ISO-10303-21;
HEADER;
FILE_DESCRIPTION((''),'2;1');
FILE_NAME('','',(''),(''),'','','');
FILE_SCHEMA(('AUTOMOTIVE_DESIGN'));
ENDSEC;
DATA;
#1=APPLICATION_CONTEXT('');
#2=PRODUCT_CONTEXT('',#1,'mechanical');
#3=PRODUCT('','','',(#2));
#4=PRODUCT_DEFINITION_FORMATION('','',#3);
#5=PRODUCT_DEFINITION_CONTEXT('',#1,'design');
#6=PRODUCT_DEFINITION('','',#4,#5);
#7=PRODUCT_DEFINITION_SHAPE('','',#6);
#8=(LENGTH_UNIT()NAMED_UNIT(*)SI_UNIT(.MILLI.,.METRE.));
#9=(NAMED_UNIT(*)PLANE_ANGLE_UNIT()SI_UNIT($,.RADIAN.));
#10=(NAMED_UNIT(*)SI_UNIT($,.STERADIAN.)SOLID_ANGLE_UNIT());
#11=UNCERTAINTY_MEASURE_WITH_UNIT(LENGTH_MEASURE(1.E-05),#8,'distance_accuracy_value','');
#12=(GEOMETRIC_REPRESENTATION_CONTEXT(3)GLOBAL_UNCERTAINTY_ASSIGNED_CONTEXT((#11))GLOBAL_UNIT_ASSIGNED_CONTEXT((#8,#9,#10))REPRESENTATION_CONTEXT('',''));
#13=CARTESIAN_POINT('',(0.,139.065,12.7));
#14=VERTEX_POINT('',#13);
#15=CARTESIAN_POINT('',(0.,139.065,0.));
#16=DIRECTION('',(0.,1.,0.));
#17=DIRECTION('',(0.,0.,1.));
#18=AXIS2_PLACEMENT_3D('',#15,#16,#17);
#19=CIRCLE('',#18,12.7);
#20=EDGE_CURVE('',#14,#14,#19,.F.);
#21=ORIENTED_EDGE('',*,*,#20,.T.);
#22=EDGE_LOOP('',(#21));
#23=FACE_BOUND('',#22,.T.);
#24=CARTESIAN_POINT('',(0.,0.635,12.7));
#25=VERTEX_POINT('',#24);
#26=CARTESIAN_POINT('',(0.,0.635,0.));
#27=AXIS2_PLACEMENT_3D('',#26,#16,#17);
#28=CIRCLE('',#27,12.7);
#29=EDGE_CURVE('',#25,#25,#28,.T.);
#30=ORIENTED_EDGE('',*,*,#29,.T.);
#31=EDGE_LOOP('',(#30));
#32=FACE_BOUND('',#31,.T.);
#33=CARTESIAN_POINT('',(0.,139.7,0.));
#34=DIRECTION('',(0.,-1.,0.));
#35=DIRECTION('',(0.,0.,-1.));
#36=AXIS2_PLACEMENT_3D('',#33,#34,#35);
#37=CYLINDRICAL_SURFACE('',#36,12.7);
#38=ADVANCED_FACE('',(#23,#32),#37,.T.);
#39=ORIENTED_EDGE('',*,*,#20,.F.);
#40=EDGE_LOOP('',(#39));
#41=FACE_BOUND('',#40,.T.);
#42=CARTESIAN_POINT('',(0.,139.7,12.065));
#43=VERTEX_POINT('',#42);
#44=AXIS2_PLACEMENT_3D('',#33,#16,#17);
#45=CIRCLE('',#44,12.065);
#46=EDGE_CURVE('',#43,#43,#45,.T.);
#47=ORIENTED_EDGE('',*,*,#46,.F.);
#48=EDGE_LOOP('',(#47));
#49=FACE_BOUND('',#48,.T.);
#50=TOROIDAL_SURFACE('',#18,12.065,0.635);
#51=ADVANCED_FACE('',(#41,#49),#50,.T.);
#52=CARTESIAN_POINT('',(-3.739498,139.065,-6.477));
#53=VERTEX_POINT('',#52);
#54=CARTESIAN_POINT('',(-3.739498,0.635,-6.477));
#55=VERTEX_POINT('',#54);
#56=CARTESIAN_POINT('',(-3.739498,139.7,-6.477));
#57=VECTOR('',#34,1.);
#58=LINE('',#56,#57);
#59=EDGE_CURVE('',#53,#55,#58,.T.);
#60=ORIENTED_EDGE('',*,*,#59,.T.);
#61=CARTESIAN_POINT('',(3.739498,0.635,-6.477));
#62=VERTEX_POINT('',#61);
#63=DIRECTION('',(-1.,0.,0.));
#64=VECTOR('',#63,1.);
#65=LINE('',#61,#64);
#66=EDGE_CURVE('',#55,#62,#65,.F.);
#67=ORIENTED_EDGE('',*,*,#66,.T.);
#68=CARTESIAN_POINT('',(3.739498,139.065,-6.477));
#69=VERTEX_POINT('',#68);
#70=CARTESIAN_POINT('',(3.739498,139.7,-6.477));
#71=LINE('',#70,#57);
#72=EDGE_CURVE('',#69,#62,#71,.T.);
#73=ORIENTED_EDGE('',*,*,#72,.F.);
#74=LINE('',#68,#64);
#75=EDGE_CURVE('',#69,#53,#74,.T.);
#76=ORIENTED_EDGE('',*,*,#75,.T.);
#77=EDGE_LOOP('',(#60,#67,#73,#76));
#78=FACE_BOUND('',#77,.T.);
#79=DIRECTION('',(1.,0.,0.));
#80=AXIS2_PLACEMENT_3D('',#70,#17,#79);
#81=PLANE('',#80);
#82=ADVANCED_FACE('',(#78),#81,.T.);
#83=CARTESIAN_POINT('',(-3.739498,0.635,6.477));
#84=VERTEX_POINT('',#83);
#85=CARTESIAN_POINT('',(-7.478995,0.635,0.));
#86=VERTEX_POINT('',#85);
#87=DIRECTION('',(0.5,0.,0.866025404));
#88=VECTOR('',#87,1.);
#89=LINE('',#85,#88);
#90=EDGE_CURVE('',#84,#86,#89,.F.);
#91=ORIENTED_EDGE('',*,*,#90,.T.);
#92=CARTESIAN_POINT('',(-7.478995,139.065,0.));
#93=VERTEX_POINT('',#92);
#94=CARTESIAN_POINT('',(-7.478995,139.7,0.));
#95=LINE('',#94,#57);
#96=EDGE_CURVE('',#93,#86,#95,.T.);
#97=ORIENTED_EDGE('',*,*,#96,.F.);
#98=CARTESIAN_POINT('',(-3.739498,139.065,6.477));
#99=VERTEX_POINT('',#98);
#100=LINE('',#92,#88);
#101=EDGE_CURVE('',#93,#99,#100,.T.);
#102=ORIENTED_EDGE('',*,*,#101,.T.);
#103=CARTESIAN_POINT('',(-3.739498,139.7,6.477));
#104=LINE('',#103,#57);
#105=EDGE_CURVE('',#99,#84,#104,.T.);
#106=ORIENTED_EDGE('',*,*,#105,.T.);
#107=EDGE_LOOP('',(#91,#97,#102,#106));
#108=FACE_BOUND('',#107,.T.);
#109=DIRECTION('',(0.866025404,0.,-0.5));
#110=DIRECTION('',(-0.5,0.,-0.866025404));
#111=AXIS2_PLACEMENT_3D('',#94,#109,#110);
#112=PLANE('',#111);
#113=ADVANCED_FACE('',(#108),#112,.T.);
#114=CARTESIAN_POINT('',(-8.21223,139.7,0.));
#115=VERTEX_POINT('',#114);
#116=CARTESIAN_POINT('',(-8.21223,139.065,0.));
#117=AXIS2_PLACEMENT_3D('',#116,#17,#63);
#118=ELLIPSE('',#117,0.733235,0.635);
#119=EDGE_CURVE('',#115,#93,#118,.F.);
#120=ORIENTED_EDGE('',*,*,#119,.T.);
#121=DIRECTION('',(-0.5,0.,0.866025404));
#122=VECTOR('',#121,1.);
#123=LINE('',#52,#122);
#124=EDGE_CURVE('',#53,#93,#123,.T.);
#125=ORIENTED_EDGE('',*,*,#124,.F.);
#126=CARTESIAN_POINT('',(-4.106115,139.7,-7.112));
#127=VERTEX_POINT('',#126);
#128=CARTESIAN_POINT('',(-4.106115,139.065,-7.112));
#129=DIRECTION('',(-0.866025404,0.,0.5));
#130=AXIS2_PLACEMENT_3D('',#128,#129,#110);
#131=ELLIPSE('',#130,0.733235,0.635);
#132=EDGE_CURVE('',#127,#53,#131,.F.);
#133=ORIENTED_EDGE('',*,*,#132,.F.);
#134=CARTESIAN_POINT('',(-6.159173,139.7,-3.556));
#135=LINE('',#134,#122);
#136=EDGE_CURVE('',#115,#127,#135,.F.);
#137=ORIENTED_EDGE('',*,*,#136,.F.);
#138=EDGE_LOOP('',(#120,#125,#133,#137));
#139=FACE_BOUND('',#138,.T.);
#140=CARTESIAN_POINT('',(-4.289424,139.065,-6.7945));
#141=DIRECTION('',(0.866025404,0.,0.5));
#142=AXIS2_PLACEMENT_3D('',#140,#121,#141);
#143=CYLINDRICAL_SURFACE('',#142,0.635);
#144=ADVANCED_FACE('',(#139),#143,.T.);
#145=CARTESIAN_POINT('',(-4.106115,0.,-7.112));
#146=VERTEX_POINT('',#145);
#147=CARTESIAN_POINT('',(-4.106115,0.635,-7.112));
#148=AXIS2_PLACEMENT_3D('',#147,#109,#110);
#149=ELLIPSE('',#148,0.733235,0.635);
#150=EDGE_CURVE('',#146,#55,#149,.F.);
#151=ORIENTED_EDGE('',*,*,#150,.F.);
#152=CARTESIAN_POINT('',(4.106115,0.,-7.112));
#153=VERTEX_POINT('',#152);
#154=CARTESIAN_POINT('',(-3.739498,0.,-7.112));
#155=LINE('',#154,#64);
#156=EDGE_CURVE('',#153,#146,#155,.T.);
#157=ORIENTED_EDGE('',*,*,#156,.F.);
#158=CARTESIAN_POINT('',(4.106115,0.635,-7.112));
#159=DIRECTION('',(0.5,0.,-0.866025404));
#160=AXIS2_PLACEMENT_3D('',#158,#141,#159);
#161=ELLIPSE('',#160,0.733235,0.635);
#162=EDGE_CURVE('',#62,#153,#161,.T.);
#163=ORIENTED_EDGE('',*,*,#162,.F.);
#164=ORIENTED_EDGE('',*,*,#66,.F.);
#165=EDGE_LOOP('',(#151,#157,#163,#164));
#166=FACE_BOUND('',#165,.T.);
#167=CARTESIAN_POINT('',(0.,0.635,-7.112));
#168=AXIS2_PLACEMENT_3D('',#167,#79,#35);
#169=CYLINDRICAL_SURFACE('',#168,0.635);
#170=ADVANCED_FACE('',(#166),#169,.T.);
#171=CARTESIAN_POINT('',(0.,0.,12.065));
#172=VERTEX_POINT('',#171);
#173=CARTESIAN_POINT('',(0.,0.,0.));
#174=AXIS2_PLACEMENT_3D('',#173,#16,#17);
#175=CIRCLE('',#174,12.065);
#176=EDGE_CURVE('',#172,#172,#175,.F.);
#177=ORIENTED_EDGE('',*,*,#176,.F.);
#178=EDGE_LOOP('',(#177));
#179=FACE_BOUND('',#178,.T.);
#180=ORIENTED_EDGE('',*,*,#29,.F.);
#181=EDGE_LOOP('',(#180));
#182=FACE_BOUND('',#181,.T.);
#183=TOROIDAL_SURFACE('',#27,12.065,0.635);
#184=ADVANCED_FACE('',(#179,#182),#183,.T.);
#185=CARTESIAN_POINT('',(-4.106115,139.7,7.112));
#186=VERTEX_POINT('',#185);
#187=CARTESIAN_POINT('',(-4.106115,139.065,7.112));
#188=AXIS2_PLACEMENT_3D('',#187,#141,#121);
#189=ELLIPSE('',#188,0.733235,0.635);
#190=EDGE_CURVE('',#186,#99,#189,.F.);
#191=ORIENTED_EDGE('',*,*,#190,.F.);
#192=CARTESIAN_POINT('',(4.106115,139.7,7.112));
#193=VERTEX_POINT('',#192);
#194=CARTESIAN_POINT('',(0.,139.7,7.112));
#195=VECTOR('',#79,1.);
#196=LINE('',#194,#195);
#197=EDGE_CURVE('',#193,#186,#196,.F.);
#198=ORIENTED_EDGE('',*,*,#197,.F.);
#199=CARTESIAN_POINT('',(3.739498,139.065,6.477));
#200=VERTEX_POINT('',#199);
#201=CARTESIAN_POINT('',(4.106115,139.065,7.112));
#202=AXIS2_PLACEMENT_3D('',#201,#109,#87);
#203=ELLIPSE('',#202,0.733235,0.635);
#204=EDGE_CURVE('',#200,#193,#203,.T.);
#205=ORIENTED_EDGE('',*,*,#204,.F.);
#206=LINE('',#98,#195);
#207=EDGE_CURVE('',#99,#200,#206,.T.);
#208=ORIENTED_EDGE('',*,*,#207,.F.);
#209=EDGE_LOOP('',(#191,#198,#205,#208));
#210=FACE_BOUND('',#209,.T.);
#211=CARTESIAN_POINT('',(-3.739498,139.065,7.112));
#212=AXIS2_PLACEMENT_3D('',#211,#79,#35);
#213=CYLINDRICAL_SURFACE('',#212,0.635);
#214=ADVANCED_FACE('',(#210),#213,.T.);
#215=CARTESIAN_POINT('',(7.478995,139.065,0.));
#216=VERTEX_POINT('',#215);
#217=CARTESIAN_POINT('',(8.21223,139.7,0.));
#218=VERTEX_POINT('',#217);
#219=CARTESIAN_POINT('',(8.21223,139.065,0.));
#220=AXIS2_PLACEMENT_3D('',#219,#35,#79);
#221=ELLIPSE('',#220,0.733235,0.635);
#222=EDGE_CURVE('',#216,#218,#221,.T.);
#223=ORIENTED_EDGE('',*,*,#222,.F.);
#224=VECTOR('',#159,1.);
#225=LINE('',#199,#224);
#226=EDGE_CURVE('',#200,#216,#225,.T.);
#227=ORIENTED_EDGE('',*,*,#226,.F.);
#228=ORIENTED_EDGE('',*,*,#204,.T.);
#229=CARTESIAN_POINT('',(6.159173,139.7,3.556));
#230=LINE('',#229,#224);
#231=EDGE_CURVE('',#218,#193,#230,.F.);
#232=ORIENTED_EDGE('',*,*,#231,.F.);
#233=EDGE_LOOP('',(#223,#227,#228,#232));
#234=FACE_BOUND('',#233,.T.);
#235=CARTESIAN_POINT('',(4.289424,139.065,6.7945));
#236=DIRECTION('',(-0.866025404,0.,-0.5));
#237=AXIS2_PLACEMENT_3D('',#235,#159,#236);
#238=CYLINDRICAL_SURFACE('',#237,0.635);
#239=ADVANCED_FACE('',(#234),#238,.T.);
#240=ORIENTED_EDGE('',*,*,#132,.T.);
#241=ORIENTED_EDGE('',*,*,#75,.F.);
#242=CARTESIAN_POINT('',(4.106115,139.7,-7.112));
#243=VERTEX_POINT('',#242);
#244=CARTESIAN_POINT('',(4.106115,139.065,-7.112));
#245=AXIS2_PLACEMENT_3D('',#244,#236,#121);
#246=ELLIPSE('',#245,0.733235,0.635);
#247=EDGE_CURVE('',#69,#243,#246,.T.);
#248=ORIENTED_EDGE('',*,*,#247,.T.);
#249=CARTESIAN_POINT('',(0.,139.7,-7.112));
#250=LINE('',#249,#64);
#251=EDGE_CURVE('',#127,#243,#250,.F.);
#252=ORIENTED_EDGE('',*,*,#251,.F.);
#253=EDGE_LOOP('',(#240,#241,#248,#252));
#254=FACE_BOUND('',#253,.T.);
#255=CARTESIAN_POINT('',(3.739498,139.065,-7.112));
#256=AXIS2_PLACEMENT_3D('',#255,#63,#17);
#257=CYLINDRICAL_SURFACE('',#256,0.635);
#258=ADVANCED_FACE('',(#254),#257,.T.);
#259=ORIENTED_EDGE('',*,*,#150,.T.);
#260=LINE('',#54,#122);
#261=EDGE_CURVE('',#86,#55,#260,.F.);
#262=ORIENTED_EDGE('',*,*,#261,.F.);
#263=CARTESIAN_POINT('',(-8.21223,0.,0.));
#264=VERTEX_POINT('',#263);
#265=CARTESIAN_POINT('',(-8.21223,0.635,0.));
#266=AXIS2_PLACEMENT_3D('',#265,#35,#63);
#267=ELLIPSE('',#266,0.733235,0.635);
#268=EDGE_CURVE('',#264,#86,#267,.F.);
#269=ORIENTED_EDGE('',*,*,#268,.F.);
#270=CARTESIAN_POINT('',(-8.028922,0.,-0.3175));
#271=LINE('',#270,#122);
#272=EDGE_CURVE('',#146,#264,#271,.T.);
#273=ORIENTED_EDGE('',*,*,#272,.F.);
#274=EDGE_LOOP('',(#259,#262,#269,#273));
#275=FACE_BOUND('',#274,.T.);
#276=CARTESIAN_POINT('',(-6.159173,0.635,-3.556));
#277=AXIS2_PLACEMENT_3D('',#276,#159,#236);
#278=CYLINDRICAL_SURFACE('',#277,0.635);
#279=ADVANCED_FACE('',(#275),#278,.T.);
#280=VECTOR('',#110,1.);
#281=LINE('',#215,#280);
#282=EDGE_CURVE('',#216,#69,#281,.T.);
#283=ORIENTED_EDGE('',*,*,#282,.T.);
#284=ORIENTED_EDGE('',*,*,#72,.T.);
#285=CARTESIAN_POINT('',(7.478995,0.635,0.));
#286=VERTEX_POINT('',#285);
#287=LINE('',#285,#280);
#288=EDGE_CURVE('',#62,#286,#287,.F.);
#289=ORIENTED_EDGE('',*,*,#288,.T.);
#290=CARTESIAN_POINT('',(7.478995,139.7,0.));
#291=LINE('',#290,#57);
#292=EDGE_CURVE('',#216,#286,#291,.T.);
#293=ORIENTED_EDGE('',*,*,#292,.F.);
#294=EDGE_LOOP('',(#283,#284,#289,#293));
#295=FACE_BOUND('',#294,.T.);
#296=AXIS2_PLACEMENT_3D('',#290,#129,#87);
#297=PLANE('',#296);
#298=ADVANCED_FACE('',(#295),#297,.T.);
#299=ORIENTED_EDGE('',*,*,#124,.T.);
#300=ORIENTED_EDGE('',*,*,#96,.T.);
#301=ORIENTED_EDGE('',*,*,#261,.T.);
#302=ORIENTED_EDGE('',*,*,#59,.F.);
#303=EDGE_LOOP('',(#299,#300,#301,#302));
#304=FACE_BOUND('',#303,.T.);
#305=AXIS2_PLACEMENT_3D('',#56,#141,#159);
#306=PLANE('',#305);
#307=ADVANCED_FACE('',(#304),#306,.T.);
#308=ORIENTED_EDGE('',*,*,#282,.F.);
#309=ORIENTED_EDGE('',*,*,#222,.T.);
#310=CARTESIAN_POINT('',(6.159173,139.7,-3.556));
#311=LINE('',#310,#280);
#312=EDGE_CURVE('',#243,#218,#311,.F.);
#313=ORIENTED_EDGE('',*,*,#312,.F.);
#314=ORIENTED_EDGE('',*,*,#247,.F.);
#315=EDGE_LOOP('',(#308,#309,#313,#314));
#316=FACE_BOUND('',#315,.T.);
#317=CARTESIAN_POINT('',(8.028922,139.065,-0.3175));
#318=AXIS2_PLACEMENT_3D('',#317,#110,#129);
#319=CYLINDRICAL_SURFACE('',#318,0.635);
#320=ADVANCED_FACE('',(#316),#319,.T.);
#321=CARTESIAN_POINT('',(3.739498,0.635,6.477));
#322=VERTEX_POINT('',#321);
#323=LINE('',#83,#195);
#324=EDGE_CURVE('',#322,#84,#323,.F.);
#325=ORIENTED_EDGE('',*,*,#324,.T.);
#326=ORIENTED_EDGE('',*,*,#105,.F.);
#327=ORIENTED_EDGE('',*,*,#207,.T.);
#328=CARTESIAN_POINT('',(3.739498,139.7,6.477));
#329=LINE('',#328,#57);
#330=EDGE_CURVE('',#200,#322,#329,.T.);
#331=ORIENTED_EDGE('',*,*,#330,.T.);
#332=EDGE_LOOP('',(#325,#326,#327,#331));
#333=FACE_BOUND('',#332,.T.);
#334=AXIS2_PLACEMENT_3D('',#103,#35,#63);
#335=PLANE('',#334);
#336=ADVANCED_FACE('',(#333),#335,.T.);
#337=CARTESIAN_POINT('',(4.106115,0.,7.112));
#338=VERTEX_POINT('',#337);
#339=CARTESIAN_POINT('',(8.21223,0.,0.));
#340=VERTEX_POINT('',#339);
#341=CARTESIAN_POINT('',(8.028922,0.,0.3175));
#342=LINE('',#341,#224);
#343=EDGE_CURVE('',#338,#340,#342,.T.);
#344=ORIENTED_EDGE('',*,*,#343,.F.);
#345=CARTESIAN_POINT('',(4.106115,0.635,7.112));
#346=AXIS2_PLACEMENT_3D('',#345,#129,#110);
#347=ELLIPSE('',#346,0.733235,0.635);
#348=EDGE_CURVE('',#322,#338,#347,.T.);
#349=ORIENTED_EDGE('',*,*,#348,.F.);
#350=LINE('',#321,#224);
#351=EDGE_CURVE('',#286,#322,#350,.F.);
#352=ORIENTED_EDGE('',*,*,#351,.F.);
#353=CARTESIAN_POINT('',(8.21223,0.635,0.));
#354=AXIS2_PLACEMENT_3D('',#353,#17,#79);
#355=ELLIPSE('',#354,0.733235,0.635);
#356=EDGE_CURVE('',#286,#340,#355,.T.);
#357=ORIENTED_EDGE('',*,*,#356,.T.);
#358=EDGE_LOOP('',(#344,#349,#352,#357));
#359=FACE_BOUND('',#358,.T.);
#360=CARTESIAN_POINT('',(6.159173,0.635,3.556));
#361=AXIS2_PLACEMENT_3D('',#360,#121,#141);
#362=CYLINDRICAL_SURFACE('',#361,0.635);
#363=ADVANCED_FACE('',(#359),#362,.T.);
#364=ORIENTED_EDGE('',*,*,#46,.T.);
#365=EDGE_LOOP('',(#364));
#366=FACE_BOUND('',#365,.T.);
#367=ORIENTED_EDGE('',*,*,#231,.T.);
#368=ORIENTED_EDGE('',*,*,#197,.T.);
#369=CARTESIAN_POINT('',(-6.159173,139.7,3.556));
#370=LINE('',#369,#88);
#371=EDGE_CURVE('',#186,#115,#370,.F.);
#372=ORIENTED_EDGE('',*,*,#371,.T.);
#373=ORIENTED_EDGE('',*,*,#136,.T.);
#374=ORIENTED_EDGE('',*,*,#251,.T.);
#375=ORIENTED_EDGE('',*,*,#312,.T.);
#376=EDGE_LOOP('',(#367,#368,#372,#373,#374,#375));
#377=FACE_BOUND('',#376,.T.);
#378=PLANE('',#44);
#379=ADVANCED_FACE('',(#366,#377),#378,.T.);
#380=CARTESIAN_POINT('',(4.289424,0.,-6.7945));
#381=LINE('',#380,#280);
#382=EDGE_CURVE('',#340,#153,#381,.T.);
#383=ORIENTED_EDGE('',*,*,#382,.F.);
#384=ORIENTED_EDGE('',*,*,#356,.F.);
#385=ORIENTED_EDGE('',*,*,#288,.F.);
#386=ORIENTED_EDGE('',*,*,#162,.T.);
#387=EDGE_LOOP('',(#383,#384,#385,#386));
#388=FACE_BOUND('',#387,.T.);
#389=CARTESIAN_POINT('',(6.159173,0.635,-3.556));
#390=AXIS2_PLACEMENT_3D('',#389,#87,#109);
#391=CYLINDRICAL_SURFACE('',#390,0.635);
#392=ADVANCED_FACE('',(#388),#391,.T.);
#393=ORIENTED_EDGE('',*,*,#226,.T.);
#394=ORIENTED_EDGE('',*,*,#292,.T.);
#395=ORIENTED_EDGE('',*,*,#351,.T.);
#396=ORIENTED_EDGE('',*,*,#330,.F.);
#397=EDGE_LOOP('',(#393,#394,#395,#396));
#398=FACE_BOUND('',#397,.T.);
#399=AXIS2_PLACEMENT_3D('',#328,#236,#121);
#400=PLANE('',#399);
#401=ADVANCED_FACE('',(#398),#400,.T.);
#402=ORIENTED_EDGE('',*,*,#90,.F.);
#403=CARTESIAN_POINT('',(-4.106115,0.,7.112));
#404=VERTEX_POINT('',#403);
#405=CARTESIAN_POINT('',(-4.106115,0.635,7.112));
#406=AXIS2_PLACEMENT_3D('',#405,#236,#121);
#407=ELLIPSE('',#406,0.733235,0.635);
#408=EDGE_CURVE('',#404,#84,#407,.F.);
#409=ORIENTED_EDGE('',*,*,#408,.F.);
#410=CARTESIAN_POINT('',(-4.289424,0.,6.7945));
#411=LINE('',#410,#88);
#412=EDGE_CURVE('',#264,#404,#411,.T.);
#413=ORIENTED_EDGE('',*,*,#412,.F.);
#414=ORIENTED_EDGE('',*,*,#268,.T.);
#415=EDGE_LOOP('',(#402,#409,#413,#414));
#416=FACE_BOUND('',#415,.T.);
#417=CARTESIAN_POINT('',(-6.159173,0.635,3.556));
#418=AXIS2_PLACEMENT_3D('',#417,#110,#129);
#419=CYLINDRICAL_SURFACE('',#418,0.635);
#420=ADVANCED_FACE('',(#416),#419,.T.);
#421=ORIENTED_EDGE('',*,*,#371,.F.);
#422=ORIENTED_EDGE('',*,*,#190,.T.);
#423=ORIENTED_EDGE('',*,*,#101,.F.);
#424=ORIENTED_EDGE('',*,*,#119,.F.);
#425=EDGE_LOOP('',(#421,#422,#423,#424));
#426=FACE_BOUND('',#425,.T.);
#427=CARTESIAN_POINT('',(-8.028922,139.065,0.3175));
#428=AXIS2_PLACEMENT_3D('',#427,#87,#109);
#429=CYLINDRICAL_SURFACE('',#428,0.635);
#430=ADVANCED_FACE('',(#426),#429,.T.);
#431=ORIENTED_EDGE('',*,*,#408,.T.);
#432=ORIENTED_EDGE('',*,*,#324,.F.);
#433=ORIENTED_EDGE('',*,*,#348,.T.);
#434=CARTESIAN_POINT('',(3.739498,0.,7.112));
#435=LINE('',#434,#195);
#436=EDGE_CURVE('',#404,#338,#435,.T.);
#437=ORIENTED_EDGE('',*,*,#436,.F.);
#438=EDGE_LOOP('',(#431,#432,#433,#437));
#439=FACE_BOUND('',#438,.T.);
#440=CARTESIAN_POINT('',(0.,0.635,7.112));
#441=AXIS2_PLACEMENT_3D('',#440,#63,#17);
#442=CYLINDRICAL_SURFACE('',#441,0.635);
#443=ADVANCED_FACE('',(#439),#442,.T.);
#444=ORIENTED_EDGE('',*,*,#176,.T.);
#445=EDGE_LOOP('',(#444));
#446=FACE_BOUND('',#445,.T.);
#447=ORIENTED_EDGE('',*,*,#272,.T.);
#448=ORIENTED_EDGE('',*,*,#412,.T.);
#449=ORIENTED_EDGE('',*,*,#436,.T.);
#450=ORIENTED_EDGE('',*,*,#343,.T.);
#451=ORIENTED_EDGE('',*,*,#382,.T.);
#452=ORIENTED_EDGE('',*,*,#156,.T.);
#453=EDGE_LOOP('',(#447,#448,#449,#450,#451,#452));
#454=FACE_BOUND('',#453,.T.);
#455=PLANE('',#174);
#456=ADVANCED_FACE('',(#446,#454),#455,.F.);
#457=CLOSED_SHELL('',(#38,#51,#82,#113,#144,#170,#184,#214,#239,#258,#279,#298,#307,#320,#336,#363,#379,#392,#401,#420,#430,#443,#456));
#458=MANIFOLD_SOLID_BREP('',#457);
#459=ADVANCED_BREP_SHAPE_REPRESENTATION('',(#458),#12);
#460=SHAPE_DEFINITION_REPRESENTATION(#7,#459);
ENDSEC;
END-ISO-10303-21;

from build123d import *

# Parameters (mm, degrees)
SKETCH1_R           = 12.7
BOSS_EXTRUDE1_DEPTH = 139.7
FILLET1_R           = 0.635


with BuildPart() as part:
    # Sketch1 → Boss-Extrude1 (new body)
    with BuildSketch(Plane(origin=(0, 0, 0), x_dir=(1, 0, 0), z_dir=(0, 1, 0))):
        with Locations(Location((0, 0, 0), (0, 0, 270))):
            Circle(SKETCH1_R)
        Polygon((7.478995387, 0), (3.739497694, 6.477), (-3.739497694, 6.477), (-7.478995387, 0), (-3.739497694, -6.477), (3.739497694, -6.477), align=None, mode=Mode.SUBTRACT)
    extrude(amount=BOSS_EXTRUDE1_DEPTH)

    # Fillet1
    fillet1_edges = [part.edges().sort_by_distance(p)[0] for p in [
        (0, 0, -6.477),
        (-5.60924654, 0, -3.2385),
        (-5.60924654, 0, 3.2385),
        (0, 0, 6.477),
        (5.60924654, 139.7, 3.2385),
        (5.60924654, 139.7, -3.2385),
        (0, 139.7, -6.477),
        (-5.60924654, 139.7, -3.2385),
        (-5.60924654, 139.7, 3.2385),
        (0, 139.7, 6.477),
        (0, 0, -12.7),
        (0, 139.7, -12.7),
        (5.60924654, 0, 3.2385),
        (5.60924654, 0, -3.2385),
    ]]
    fillet(fillet1_edges, radius=FILLET1_R)


solid = part.part
